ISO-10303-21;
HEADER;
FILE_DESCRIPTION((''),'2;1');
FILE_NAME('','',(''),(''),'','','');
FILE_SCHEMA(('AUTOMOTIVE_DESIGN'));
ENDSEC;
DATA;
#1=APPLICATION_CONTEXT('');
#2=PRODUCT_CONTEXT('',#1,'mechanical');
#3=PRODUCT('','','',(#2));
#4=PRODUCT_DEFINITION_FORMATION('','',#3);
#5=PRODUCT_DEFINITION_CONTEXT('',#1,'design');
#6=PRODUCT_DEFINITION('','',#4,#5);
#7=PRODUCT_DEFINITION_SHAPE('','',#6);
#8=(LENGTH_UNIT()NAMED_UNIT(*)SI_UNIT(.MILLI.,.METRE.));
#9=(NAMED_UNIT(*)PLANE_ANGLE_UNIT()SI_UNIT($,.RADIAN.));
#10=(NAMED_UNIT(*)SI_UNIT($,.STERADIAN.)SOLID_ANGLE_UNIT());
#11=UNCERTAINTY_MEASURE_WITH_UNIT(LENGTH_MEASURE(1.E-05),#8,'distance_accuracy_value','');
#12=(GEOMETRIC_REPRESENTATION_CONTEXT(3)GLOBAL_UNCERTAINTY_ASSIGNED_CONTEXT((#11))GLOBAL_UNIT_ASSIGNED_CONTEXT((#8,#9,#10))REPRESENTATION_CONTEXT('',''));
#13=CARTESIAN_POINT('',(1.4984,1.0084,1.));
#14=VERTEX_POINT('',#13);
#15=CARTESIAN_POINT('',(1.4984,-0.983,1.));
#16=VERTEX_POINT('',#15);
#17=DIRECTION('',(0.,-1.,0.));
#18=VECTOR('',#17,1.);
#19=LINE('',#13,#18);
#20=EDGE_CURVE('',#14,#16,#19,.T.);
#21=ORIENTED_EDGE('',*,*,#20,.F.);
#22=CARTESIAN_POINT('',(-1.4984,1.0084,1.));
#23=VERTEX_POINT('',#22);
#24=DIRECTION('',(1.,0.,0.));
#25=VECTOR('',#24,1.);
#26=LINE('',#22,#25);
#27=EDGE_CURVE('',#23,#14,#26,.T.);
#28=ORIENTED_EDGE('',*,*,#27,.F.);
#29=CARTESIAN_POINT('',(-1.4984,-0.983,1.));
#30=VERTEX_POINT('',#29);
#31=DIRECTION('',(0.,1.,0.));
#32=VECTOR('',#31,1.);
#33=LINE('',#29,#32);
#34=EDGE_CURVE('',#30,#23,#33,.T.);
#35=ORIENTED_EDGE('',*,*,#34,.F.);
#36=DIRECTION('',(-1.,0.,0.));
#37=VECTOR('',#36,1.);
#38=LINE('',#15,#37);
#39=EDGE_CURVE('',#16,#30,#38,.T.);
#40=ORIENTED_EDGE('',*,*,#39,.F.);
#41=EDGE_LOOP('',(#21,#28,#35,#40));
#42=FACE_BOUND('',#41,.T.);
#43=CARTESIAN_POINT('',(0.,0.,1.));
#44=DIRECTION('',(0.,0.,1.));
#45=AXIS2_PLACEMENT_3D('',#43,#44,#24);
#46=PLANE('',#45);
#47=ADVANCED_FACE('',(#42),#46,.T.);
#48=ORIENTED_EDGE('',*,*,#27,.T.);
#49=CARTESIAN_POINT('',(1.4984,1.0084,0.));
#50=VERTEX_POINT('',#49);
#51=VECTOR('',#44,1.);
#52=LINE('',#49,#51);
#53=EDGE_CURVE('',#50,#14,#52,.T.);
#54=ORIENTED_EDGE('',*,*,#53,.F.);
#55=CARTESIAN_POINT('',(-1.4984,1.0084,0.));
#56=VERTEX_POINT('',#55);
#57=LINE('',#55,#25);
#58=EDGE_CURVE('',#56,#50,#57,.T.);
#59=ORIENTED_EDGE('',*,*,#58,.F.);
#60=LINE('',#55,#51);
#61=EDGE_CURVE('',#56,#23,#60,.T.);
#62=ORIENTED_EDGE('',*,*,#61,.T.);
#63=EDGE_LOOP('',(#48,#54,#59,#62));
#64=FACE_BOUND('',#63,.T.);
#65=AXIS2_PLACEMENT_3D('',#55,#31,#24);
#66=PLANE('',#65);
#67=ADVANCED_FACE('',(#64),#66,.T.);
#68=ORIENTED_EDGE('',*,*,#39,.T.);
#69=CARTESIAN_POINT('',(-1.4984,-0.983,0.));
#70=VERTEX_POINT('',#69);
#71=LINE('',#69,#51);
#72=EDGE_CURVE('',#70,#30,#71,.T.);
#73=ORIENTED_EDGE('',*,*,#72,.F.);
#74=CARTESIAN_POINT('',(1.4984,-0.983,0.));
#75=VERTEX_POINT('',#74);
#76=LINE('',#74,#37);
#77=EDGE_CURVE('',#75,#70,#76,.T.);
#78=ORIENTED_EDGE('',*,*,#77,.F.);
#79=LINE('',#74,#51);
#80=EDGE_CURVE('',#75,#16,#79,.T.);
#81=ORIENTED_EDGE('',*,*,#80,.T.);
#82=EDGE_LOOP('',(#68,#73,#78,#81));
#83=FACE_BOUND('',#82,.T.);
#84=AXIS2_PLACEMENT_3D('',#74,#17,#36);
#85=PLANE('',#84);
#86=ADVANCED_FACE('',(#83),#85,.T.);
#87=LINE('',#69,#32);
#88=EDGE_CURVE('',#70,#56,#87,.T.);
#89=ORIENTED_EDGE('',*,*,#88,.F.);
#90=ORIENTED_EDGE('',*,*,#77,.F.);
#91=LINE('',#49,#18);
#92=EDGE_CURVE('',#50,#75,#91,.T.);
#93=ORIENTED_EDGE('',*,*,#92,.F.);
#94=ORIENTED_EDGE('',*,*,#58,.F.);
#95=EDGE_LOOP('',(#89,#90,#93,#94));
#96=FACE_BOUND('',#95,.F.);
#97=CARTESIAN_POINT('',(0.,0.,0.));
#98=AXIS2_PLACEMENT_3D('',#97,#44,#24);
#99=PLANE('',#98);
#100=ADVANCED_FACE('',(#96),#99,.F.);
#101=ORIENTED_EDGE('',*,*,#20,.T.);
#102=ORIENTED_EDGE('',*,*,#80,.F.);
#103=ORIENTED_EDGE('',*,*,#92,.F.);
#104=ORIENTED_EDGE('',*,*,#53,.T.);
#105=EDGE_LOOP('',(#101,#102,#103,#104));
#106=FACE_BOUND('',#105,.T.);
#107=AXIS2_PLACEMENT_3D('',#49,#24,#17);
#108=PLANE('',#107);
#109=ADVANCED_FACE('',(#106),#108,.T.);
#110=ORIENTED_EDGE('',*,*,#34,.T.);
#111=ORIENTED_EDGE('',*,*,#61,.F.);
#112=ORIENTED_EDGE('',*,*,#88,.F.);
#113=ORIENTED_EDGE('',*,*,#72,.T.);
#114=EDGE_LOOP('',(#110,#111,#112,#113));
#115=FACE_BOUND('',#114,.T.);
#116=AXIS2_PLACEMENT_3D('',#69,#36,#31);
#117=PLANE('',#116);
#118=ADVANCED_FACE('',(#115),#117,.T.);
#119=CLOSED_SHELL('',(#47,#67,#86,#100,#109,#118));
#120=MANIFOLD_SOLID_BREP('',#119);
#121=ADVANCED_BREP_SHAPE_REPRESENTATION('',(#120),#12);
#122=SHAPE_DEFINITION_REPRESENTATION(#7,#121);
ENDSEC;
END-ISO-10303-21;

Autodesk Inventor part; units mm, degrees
ref_plane "YZ Plane" through (0, 0, 0) normal (1, 0, 0) x (0, 1, 0)
ref_plane "XZ Plane" through (0, 0, 0) normal (0, 1, 0) x (-1, 0, 0)
ref_plane "XY Plane" through (0, 0, 0) normal (0, 0, 1) x (1, 0, 0)
sketch "0603-CAP, 0_1UF_1" plane through (0, 0, 0) normal (0, 0, 1) x (1, 0, 0)
  line L0 (-1.4984, 1.0084) -> (1.4984, 1.0084)
  line L1 (1.4984, 1.0084) -> (1.4984, -0.983)
  line L2 (1.4984, -0.983) -> (-1.4984, -0.983)
  line L3 (-1.4984, -0.983) -> (-1.4984, 1.0084)
extrude "Extrusion1" add sketch "0603-CAP, 0_1UF_1" along normal blind 1
properties part number "0_1UF"
